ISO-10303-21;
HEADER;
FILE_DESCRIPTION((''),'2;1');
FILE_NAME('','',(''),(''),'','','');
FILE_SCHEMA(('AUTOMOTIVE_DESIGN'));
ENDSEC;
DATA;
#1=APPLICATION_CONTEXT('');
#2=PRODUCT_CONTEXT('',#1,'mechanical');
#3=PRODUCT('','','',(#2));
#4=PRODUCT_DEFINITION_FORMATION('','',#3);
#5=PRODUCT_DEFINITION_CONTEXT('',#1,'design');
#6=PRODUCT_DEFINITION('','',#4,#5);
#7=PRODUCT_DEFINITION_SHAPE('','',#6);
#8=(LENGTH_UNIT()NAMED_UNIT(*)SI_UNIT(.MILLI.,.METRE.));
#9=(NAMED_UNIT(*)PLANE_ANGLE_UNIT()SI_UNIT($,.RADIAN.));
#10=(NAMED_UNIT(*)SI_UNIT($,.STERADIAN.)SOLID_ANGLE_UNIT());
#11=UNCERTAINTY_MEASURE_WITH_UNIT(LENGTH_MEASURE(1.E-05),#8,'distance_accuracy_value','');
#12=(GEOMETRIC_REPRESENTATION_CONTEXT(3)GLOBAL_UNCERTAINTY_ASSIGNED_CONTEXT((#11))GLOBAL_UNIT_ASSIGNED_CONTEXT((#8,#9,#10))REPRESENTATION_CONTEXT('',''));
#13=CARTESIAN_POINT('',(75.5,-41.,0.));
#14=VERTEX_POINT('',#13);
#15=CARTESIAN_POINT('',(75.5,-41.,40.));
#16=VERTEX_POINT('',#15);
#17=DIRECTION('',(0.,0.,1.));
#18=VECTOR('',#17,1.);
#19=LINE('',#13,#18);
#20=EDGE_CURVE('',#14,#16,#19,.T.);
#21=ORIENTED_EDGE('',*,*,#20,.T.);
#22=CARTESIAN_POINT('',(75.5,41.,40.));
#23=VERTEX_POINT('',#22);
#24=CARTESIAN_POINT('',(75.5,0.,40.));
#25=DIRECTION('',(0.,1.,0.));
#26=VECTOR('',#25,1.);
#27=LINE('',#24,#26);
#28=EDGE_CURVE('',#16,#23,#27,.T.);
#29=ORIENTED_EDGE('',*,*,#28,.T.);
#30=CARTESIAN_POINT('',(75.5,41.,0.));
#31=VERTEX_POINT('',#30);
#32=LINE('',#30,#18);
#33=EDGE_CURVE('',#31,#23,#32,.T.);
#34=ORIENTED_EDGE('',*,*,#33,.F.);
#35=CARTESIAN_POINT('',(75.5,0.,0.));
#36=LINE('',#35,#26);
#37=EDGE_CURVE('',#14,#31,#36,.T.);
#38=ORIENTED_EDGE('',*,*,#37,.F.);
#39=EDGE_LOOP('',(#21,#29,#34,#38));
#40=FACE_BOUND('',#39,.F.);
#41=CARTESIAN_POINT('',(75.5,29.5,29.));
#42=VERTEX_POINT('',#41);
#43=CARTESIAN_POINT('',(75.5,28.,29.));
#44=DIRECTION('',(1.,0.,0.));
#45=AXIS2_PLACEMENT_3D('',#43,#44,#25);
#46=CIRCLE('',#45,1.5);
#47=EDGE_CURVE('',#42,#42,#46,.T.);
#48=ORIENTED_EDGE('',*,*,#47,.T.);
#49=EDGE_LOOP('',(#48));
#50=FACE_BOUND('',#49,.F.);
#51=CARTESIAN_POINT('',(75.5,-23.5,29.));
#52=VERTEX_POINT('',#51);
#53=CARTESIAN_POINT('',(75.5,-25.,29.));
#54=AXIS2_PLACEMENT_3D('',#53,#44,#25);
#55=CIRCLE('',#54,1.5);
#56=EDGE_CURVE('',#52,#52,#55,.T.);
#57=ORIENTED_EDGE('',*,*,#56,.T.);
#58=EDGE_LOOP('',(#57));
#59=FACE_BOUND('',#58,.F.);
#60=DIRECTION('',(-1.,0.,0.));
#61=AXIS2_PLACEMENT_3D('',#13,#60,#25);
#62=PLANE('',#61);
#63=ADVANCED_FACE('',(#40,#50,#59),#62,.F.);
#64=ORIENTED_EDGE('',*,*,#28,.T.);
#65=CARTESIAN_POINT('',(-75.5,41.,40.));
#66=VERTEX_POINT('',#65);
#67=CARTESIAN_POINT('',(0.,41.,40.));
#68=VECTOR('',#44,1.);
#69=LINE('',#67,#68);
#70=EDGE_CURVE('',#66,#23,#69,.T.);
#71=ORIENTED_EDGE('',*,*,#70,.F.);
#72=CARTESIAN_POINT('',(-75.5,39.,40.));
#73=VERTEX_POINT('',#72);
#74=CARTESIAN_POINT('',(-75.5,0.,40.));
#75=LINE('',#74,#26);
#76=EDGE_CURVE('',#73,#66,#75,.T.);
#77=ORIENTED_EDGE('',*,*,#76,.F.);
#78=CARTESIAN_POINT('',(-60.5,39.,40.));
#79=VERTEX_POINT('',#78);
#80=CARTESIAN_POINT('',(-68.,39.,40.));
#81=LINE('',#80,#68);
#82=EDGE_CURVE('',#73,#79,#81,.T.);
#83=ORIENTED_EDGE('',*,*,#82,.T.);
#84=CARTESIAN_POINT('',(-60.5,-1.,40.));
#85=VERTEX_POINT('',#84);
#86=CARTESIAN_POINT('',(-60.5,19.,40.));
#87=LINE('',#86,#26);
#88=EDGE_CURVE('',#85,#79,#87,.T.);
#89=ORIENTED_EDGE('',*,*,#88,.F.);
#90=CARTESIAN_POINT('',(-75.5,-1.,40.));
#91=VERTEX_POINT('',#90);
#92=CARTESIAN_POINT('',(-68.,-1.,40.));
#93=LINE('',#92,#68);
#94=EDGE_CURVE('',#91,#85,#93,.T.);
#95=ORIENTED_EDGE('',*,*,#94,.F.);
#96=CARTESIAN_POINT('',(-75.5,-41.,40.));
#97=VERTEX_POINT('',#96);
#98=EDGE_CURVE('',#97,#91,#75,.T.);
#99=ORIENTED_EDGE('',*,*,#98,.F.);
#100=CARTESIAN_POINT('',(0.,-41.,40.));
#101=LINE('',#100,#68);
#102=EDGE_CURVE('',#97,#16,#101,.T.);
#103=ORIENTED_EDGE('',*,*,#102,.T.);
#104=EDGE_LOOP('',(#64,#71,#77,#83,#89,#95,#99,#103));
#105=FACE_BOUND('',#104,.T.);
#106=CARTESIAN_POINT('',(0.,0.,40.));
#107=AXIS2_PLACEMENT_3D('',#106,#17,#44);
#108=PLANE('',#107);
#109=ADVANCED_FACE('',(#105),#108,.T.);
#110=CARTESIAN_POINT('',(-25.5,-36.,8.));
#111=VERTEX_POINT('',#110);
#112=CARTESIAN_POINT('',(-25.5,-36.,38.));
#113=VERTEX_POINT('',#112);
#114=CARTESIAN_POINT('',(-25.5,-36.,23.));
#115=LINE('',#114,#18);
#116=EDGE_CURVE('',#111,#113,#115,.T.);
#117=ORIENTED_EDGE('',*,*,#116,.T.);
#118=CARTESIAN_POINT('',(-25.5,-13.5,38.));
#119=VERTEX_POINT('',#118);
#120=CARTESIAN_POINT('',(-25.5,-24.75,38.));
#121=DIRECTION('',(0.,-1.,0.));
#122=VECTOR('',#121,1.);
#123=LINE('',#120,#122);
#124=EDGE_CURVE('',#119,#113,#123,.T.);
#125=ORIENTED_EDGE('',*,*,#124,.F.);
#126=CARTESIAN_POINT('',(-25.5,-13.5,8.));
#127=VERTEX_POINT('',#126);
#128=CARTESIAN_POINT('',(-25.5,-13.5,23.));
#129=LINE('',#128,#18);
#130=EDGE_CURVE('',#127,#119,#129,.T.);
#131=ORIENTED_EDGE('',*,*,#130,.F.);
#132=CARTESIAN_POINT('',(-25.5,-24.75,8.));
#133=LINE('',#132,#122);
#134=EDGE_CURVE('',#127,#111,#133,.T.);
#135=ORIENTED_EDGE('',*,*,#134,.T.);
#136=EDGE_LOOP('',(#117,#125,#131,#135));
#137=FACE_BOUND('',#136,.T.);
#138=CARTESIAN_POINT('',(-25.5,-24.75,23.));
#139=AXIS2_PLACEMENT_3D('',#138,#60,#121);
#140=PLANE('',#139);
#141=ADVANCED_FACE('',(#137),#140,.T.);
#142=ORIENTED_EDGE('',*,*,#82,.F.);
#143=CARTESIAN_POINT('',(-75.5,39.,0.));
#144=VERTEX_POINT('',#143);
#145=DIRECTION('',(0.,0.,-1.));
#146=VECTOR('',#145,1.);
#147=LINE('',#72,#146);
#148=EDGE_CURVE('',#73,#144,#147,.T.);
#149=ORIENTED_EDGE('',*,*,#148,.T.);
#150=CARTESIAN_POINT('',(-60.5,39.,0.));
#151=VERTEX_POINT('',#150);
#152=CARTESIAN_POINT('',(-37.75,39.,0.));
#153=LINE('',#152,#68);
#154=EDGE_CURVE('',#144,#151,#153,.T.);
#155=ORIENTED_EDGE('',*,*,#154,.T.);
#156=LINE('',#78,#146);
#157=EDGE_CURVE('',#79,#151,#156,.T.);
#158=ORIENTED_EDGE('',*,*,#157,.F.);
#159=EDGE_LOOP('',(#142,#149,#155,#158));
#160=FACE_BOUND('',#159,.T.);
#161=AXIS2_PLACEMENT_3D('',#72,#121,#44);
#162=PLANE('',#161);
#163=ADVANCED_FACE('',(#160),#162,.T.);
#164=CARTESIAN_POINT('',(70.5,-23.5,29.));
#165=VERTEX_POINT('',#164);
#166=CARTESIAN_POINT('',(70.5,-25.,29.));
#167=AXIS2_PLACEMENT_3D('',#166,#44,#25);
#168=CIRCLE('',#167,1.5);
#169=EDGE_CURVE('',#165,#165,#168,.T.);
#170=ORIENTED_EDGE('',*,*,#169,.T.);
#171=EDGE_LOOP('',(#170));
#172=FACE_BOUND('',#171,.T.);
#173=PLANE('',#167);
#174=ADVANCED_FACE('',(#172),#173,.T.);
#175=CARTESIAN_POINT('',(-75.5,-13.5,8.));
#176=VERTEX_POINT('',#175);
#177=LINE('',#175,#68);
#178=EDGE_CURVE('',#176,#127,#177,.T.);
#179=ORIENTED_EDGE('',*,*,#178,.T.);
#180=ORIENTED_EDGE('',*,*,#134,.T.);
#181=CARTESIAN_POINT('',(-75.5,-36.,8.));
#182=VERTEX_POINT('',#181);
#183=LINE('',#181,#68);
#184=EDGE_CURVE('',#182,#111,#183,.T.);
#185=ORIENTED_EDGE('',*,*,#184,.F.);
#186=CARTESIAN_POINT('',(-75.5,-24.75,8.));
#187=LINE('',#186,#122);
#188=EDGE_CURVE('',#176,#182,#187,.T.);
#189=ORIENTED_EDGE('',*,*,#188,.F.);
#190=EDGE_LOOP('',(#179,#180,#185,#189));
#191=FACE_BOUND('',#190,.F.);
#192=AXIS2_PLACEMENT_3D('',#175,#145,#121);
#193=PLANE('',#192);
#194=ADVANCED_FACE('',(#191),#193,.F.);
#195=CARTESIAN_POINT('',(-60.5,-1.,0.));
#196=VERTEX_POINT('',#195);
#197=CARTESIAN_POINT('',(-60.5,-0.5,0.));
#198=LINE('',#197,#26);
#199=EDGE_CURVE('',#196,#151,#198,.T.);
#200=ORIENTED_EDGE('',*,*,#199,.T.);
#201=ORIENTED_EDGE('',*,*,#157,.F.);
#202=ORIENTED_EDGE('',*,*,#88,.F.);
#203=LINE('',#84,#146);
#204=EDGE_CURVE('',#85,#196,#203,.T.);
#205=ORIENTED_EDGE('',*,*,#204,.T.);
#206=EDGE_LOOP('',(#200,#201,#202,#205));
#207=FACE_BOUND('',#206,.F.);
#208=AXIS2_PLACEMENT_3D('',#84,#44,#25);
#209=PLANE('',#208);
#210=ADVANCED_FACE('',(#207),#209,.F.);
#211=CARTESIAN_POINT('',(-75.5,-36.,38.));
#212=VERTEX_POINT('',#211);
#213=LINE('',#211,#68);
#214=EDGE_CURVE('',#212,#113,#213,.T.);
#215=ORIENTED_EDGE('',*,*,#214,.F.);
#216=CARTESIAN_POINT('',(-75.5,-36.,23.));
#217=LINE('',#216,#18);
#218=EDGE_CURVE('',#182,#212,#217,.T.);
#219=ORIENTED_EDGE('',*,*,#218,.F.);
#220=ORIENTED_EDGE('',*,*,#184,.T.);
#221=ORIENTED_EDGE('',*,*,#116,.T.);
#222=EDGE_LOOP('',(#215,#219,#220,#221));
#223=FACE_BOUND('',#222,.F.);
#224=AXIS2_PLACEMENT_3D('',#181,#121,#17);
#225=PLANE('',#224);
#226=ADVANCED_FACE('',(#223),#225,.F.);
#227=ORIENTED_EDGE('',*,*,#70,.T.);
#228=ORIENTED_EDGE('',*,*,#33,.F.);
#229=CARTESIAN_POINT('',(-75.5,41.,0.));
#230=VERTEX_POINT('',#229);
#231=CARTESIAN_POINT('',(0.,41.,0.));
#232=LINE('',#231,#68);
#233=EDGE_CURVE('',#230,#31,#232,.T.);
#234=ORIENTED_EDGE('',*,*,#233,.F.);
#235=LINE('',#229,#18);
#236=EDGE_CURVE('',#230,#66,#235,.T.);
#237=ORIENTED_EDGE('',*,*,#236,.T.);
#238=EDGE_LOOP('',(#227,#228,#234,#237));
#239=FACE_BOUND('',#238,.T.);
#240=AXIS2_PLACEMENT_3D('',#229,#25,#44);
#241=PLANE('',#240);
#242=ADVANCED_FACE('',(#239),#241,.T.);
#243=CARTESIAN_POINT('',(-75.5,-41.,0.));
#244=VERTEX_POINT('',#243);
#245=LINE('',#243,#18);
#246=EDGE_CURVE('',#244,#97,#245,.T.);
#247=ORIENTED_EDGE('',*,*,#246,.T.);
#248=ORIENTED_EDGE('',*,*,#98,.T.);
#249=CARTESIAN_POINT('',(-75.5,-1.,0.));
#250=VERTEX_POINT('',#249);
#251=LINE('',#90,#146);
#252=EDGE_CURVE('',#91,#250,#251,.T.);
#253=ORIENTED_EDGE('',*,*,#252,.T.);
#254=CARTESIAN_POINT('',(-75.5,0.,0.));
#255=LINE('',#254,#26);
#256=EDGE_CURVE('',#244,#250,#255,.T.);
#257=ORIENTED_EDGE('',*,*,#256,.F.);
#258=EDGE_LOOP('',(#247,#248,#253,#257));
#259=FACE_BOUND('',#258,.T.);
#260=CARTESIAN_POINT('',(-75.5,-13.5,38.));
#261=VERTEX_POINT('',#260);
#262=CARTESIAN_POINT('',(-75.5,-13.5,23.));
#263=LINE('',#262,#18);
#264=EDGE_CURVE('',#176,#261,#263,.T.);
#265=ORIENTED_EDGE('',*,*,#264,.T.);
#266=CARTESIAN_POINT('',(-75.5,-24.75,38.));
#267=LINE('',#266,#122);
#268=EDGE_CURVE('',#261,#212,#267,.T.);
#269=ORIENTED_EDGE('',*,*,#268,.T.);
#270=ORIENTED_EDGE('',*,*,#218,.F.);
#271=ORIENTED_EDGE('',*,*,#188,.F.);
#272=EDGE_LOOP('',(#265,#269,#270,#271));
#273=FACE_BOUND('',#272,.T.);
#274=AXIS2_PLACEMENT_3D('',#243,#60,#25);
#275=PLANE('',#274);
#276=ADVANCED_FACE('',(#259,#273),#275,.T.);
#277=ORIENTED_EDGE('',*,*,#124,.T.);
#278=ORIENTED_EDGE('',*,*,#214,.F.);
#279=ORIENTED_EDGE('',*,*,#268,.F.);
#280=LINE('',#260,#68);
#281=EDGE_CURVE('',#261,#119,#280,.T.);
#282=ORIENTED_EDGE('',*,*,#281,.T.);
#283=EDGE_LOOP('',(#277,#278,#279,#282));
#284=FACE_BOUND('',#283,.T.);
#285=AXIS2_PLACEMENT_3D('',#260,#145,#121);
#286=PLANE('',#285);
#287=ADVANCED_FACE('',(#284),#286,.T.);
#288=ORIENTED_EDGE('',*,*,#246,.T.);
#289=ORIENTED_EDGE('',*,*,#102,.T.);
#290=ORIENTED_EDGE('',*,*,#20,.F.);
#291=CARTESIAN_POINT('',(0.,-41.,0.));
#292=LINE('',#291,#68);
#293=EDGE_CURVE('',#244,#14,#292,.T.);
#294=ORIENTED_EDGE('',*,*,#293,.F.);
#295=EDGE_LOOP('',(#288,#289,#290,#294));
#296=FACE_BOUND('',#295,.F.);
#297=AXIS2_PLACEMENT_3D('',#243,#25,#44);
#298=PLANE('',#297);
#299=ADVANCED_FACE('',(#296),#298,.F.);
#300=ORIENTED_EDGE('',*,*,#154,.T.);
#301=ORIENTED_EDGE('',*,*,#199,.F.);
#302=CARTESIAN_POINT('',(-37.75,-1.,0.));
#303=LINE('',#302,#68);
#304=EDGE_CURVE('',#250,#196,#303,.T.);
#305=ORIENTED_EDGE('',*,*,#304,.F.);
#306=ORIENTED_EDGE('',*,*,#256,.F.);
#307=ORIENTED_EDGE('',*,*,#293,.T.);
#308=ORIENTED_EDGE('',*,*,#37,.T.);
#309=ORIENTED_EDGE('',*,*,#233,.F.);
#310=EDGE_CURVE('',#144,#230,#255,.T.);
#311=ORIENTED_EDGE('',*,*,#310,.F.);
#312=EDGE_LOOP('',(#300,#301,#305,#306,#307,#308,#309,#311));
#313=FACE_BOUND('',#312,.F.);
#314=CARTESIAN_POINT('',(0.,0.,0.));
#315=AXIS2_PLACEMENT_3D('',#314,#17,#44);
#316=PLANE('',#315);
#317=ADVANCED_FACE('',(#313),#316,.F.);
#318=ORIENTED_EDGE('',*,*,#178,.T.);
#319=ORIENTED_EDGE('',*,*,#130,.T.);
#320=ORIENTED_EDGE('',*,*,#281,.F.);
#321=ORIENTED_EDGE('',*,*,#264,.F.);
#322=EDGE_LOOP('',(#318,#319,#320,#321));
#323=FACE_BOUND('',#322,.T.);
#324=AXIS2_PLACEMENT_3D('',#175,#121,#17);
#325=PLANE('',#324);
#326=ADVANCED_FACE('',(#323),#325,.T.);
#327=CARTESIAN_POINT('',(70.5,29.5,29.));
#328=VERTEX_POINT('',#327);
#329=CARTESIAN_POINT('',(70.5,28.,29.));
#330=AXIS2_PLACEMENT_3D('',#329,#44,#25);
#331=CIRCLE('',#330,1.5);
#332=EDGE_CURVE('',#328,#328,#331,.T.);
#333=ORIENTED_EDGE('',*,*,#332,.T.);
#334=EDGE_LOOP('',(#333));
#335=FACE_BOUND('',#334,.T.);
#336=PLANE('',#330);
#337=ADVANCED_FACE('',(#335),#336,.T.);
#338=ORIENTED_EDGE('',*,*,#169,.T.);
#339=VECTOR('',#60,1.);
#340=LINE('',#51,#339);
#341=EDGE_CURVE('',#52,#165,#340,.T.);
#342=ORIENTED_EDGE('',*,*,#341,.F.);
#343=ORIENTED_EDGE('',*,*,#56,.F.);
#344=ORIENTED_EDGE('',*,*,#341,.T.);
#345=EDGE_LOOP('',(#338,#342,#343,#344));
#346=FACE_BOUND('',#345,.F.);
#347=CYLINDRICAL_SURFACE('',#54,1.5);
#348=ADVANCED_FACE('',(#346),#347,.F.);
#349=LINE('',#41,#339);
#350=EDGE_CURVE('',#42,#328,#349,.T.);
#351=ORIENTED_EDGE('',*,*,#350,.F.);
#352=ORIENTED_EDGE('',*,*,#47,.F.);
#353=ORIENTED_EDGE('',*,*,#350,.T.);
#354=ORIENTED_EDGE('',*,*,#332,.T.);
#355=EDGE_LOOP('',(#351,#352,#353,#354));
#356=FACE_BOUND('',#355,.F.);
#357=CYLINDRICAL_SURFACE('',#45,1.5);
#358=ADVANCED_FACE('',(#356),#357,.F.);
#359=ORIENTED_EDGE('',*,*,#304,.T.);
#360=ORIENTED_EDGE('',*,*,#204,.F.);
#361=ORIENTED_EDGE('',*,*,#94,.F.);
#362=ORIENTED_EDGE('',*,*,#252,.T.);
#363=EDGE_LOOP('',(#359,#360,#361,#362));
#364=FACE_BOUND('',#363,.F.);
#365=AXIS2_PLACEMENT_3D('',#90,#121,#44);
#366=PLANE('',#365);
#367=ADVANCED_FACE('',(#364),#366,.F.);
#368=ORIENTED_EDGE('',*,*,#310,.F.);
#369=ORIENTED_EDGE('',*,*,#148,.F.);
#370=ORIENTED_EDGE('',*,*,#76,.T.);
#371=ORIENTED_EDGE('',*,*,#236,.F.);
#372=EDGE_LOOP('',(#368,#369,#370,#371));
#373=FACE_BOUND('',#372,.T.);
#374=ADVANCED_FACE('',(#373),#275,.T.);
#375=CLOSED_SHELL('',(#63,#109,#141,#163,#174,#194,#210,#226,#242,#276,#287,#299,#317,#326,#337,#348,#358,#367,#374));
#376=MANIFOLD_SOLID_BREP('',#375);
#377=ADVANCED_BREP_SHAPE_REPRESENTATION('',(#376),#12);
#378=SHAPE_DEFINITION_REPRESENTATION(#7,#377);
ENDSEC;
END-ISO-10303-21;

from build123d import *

# Parameters (mm, degrees)
F0_W     = 151
F0_H     = 82
F1_DEPTH = 40
F2_W     = 15
F2_H     = 40
F3_DEPTH = 41
F4_W     = 22.5
F4_H     = 30
F5_DEPTH = 50
F6_R     = 1.5
F7_DEPTH = 5


with BuildPart() as f1:
    # F0 (on Top) → F1 (new body)
    with BuildSketch(Plane.XY):
        Rectangle(F0_W, F0_H)
    extrude(amount=F1_DEPTH)

    # F2 (on face) → F3 (cut)
    with BuildSketch(Plane.XY.offset(40)):
        with Locations((-68, 19)):
            Rectangle(F2_W, F2_H)
    extrude(amount=-F3_DEPTH, mode=Mode.SUBTRACT)

    # F4 (on face) → F5 (cut)
    with BuildSketch(Plane(origin=(-75.5, 0, 0), x_dir=(0, -1, 0), z_dir=(-1, 0, 0))):
        with Locations((24.75, 23)):
            Rectangle(F4_W, F4_H)
    extrude(amount=-F5_DEPTH, mode=Mode.SUBTRACT)

    # F6 (on face) → F7 (cut)
    with BuildSketch(Plane.YZ.offset(75.5)):
        with Locations((-25, 29)):
            Circle(F6_R)
        with Locations((28, 29)):
            Circle(F6_R)
    extrude(amount=-F7_DEPTH, mode=Mode.SUBTRACT)


solid = f1.part
